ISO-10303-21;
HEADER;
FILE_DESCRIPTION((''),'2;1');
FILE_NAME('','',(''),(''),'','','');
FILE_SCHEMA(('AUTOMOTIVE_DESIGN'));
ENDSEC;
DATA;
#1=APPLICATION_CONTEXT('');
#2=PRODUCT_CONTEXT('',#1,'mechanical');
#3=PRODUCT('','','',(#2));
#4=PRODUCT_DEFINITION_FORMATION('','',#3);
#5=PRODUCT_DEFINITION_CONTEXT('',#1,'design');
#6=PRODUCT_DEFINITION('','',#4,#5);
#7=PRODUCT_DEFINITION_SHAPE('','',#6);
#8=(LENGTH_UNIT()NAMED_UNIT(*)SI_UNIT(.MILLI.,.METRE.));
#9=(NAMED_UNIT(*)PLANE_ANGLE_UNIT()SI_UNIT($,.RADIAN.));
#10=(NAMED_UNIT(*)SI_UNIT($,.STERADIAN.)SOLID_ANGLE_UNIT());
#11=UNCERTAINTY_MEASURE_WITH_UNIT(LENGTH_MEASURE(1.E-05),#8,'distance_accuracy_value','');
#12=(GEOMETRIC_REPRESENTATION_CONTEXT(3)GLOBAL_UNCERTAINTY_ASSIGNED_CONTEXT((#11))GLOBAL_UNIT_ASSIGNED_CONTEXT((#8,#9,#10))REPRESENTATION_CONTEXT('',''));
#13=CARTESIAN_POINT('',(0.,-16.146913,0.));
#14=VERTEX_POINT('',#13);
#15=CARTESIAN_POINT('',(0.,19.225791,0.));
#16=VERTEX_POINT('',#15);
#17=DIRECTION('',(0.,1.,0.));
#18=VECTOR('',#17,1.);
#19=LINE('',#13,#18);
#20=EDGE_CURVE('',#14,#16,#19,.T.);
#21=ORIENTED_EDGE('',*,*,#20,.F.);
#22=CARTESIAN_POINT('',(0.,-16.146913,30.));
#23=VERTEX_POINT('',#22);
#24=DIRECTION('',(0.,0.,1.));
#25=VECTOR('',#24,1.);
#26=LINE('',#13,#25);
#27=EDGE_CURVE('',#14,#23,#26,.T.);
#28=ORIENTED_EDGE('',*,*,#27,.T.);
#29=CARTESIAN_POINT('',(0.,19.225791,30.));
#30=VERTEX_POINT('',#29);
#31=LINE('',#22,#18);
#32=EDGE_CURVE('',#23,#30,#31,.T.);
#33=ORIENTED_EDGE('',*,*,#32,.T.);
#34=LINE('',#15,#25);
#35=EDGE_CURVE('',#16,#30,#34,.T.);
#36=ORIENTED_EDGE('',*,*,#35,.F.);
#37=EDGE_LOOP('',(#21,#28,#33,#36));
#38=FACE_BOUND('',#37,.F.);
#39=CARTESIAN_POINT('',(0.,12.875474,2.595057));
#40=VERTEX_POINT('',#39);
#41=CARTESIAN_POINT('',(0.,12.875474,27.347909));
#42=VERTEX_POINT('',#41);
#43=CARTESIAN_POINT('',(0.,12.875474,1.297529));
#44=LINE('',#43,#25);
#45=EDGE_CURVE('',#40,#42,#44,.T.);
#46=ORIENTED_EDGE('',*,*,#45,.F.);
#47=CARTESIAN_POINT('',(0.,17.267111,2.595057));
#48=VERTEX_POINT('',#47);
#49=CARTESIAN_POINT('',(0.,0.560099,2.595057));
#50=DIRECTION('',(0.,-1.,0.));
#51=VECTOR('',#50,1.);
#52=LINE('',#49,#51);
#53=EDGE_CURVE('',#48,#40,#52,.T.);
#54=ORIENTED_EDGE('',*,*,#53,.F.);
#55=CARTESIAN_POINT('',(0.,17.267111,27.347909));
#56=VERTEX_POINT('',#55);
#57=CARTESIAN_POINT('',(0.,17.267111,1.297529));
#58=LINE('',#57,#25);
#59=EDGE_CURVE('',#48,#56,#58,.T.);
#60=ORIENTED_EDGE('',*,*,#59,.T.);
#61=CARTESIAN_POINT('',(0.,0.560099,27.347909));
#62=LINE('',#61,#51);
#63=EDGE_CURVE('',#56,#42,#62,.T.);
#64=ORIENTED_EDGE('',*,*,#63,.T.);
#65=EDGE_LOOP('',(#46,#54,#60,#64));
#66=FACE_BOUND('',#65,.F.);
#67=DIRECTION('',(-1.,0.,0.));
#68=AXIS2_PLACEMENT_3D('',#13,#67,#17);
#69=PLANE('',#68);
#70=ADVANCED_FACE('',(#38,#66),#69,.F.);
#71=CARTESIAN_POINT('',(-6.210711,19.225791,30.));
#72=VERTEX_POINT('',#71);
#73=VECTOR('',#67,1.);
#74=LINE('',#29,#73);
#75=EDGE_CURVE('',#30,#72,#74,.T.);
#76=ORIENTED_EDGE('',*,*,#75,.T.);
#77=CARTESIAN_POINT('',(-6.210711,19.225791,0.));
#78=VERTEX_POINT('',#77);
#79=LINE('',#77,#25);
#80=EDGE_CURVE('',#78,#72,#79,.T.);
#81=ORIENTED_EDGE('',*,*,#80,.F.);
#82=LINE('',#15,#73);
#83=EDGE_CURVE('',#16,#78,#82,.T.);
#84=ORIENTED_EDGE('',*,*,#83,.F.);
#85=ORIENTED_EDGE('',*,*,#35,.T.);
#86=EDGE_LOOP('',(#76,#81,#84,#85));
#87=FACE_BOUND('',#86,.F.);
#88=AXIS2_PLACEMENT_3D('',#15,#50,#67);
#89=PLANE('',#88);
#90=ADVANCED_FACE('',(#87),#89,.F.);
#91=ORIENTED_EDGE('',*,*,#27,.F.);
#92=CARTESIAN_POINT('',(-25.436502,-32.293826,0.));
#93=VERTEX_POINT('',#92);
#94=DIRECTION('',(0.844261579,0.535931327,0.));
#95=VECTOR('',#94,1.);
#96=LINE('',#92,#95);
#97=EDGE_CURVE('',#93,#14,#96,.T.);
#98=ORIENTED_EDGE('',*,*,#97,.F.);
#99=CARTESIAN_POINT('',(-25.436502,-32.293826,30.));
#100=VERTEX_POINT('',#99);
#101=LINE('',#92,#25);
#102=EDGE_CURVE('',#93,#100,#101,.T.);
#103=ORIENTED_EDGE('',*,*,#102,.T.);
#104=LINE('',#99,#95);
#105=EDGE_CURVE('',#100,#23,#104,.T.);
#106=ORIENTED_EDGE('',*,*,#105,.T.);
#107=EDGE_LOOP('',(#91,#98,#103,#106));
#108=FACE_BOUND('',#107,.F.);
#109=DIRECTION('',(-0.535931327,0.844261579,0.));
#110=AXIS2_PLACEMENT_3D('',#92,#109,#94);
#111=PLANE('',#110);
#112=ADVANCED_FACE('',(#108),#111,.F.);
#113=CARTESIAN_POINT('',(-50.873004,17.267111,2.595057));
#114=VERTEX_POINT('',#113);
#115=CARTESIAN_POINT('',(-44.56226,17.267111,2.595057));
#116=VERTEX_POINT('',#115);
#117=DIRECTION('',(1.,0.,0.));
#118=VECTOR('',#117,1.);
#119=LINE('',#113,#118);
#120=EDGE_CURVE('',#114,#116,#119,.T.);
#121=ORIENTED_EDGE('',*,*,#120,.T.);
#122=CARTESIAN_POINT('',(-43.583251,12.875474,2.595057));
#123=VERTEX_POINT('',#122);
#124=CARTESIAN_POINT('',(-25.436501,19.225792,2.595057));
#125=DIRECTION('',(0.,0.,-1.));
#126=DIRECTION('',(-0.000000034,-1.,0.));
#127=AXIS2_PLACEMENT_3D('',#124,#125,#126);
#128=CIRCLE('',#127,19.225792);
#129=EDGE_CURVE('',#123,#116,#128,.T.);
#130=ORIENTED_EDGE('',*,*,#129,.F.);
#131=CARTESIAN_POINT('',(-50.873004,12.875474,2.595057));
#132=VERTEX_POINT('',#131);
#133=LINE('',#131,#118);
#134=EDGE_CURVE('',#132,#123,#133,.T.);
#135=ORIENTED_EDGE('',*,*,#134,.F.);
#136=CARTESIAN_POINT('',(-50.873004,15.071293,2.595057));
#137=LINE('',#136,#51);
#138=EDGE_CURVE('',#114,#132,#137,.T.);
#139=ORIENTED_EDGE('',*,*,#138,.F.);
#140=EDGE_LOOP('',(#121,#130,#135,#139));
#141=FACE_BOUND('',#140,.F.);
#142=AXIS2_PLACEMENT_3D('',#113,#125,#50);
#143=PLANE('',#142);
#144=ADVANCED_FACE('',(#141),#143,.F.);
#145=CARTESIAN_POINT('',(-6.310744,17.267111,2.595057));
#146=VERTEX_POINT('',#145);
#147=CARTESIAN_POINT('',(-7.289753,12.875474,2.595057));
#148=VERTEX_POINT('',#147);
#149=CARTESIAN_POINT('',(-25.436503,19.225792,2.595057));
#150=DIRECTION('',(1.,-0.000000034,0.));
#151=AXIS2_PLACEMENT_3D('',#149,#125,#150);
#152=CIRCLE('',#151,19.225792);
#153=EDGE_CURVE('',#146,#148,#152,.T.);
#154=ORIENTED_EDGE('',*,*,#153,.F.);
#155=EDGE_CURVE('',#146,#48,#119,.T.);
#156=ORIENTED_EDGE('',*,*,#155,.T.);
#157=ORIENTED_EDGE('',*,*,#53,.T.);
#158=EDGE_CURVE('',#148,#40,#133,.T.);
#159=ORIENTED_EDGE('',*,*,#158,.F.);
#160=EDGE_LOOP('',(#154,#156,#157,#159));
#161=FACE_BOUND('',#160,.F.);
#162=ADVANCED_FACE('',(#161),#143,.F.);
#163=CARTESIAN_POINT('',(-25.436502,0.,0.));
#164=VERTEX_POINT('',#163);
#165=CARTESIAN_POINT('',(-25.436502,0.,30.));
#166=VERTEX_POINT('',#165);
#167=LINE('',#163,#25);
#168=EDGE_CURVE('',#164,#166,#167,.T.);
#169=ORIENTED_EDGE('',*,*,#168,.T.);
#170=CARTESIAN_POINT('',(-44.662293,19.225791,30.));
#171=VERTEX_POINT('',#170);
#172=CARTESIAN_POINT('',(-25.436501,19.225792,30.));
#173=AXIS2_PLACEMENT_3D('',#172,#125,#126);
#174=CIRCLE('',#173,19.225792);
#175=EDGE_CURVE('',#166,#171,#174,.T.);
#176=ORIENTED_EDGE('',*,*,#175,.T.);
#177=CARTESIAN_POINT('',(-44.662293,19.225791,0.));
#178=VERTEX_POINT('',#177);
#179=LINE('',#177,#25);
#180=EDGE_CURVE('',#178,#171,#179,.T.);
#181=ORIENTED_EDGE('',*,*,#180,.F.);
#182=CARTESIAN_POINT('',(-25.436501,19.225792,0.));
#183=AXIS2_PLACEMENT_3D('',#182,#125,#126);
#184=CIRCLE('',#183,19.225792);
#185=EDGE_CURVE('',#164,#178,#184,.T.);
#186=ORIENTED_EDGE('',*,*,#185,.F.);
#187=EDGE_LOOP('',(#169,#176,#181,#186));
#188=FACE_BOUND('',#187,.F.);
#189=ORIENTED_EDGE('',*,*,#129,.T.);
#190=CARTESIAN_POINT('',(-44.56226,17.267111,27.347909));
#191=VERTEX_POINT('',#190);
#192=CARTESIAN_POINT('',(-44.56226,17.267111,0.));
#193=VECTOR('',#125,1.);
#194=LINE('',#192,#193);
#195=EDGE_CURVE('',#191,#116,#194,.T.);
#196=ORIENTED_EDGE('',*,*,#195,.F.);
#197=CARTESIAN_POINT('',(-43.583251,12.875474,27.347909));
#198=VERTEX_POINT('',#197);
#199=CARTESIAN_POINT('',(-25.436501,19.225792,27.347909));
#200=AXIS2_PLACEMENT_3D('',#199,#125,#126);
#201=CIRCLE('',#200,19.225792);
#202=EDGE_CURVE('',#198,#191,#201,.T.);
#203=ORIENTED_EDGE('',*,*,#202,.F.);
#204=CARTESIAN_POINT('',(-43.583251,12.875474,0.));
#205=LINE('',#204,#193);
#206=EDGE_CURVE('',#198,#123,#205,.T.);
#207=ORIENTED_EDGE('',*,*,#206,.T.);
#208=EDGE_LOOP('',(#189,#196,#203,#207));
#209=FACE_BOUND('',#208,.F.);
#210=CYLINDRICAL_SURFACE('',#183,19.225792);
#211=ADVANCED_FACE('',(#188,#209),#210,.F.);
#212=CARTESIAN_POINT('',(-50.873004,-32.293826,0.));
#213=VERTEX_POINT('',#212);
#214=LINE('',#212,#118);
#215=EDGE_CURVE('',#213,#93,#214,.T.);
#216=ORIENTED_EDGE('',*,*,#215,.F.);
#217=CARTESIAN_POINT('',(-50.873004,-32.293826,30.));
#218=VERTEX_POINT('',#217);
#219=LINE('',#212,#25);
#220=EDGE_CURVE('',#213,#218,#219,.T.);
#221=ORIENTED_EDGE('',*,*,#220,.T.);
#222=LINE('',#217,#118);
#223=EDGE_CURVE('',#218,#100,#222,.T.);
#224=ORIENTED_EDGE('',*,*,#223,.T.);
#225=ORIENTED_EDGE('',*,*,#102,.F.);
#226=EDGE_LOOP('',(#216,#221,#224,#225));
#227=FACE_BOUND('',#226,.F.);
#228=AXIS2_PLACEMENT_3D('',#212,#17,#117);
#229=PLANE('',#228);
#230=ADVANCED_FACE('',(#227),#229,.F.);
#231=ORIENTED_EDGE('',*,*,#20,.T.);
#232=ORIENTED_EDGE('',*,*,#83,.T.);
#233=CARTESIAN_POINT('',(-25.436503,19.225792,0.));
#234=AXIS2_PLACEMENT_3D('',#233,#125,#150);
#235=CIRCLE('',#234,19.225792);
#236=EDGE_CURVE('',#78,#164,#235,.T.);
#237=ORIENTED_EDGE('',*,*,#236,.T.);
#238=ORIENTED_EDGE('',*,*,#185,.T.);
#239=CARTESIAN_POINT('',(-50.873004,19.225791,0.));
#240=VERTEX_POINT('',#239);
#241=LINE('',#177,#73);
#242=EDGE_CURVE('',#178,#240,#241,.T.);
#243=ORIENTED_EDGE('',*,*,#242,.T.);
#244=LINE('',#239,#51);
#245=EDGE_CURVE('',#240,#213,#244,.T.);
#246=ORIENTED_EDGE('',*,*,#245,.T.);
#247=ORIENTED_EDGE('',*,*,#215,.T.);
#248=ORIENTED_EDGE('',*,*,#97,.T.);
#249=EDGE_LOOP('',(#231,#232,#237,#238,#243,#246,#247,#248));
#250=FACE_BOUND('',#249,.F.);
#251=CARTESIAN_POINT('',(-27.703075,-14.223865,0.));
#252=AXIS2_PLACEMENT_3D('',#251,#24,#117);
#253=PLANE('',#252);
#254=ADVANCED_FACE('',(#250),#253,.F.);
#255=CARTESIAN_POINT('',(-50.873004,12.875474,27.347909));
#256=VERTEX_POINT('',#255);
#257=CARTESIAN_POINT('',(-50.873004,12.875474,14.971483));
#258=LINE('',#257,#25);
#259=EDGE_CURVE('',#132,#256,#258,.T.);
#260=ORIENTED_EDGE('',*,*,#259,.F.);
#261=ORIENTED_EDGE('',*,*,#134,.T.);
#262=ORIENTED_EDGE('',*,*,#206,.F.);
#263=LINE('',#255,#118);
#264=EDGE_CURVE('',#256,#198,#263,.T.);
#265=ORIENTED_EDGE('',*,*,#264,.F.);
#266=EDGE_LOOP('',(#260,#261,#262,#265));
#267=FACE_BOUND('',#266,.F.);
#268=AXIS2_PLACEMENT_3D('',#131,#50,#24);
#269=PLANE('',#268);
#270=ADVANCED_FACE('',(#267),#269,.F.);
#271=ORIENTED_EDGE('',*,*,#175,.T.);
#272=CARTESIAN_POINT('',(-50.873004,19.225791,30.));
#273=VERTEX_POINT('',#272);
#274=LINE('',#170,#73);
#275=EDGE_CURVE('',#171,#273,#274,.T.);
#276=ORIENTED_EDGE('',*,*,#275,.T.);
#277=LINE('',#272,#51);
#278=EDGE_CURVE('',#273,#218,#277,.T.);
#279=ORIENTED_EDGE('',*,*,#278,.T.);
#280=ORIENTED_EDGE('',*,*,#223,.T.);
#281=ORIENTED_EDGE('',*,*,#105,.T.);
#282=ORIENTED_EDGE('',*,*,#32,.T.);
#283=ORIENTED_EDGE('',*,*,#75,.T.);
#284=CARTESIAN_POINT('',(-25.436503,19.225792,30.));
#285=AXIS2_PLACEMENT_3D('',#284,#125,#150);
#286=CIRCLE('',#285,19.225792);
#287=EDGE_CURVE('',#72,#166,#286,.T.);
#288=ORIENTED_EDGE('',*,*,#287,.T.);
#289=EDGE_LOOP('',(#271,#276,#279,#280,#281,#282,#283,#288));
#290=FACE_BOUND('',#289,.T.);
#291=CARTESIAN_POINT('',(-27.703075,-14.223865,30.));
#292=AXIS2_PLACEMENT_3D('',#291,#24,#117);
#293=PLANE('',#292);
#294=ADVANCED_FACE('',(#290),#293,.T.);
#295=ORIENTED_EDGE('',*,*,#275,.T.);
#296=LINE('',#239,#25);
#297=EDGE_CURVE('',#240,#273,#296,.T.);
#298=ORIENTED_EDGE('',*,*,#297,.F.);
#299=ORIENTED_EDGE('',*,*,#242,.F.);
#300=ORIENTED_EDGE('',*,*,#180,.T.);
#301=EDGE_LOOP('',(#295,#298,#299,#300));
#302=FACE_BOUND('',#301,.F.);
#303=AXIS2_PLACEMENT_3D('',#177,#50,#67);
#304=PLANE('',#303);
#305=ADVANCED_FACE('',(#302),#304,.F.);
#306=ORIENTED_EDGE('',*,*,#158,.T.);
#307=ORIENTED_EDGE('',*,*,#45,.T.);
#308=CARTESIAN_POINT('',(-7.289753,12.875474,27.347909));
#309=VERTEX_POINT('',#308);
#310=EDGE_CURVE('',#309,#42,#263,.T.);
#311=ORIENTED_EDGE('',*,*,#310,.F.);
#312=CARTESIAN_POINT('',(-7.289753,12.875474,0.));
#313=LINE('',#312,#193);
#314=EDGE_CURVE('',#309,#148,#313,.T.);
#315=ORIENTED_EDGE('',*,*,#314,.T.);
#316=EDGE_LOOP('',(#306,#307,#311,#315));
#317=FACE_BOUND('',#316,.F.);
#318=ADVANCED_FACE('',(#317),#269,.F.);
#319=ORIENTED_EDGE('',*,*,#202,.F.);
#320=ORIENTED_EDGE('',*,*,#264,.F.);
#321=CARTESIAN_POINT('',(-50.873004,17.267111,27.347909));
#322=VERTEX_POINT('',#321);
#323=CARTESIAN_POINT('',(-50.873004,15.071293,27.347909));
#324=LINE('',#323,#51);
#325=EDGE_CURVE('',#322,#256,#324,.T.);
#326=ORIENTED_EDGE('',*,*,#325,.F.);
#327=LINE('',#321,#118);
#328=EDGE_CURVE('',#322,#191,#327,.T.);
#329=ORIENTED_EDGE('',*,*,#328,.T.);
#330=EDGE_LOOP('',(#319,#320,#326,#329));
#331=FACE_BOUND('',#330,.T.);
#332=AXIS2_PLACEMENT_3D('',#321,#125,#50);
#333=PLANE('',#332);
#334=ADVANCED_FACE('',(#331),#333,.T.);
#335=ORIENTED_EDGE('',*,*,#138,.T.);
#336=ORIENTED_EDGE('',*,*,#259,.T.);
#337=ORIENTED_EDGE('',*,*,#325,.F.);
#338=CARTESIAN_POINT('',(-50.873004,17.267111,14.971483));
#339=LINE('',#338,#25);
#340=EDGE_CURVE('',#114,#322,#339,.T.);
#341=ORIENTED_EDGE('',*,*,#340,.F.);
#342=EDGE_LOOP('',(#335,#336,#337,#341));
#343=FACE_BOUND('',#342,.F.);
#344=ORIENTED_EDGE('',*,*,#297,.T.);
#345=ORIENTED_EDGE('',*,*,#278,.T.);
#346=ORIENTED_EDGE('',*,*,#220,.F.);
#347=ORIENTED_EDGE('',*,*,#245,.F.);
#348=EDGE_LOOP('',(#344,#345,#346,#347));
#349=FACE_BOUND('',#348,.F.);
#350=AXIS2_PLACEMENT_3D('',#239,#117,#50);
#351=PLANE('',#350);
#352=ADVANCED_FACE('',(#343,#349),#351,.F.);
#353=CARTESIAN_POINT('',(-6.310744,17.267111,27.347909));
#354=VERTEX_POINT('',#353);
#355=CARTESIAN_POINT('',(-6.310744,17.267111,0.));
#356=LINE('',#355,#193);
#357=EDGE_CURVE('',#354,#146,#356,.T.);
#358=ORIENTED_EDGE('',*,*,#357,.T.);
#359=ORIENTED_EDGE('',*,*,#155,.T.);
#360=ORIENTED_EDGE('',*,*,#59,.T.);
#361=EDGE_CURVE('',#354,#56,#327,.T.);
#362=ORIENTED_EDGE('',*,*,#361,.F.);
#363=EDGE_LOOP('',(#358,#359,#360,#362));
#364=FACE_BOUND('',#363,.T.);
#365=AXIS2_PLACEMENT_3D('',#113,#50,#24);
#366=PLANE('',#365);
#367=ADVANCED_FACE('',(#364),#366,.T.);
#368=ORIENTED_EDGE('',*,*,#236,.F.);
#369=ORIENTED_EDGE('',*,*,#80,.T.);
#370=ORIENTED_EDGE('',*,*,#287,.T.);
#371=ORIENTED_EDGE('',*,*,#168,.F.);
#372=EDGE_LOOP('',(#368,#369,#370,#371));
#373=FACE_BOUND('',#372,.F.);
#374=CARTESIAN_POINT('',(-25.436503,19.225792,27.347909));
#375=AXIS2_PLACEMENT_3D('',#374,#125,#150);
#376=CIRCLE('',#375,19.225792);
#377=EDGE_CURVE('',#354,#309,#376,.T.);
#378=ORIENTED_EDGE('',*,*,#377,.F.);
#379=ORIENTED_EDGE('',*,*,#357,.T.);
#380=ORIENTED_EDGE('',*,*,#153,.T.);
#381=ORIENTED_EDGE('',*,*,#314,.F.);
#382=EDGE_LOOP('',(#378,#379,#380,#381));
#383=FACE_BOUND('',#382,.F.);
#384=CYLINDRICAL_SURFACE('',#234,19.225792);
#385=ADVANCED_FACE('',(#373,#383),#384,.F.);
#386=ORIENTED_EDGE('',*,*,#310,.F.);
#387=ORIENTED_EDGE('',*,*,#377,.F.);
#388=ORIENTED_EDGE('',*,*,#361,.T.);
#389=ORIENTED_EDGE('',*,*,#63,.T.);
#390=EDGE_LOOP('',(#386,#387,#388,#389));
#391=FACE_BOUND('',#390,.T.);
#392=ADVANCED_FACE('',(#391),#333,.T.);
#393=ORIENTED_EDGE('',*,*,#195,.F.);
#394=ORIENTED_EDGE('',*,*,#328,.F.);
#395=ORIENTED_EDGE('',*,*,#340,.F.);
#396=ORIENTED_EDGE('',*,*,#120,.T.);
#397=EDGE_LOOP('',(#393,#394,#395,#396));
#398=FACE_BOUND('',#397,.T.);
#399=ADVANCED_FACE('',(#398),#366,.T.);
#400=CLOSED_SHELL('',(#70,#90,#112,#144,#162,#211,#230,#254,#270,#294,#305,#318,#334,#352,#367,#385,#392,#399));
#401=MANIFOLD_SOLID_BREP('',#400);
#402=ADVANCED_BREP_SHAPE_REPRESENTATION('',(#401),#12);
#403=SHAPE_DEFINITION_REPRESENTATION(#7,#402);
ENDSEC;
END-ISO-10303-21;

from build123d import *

# Parameters (mm, degrees)
F1_DEPTH = 30
F2_W     = 4.391637
F2_H     = 24.752852
F3_DEPTH = 50.874004


with BuildPart() as f1:
    # F0 (on Top) → F1 (new body)
    with BuildSketch(Plane.XY):
        Polygon((0, -16.146913), (0, 0), (-25.436502, 0), (-50.873004, 0), (-50.873004, -32.293826), (-25.436502, -32.293826), align=None)
        with BuildLine():
            Line((-25.436502, 0), (0, 0))
            Line((0, 0), (0, 19.225791))
            Line((0, 19.225791), (-6.210711, 19.225791))
            ThreePointArc((-6.210711, 19.225791), (-11.841815, 5.631104), (-25.436502, 0))
        make_face()
        with BuildLine():
            Line((-50.873004, 0), (-25.436502, 0))
            ThreePointArc((-25.436502, 0), (-39.031189, 5.631104), (-44.662293, 19.225791))
            Line((-44.662293, 19.225791), (-50.873004, 19.225791))
            Line((-50.873004, 19.225791), (-50.873004, 0))
        make_face()
    extrude(amount=F1_DEPTH)

    # F2 (on face) → F3 (cut, through all)
    with BuildSketch(Plane(origin=(-50.873004, 0, 0), x_dir=(0, -1, 0), z_dir=(-1, 0, 0))):
        with Locations((-15.071293, 14.971483)):
            Rectangle(F2_W, F2_H)
    extrude(amount=-F3_DEPTH, mode=Mode.SUBTRACT)


solid = f1.part
